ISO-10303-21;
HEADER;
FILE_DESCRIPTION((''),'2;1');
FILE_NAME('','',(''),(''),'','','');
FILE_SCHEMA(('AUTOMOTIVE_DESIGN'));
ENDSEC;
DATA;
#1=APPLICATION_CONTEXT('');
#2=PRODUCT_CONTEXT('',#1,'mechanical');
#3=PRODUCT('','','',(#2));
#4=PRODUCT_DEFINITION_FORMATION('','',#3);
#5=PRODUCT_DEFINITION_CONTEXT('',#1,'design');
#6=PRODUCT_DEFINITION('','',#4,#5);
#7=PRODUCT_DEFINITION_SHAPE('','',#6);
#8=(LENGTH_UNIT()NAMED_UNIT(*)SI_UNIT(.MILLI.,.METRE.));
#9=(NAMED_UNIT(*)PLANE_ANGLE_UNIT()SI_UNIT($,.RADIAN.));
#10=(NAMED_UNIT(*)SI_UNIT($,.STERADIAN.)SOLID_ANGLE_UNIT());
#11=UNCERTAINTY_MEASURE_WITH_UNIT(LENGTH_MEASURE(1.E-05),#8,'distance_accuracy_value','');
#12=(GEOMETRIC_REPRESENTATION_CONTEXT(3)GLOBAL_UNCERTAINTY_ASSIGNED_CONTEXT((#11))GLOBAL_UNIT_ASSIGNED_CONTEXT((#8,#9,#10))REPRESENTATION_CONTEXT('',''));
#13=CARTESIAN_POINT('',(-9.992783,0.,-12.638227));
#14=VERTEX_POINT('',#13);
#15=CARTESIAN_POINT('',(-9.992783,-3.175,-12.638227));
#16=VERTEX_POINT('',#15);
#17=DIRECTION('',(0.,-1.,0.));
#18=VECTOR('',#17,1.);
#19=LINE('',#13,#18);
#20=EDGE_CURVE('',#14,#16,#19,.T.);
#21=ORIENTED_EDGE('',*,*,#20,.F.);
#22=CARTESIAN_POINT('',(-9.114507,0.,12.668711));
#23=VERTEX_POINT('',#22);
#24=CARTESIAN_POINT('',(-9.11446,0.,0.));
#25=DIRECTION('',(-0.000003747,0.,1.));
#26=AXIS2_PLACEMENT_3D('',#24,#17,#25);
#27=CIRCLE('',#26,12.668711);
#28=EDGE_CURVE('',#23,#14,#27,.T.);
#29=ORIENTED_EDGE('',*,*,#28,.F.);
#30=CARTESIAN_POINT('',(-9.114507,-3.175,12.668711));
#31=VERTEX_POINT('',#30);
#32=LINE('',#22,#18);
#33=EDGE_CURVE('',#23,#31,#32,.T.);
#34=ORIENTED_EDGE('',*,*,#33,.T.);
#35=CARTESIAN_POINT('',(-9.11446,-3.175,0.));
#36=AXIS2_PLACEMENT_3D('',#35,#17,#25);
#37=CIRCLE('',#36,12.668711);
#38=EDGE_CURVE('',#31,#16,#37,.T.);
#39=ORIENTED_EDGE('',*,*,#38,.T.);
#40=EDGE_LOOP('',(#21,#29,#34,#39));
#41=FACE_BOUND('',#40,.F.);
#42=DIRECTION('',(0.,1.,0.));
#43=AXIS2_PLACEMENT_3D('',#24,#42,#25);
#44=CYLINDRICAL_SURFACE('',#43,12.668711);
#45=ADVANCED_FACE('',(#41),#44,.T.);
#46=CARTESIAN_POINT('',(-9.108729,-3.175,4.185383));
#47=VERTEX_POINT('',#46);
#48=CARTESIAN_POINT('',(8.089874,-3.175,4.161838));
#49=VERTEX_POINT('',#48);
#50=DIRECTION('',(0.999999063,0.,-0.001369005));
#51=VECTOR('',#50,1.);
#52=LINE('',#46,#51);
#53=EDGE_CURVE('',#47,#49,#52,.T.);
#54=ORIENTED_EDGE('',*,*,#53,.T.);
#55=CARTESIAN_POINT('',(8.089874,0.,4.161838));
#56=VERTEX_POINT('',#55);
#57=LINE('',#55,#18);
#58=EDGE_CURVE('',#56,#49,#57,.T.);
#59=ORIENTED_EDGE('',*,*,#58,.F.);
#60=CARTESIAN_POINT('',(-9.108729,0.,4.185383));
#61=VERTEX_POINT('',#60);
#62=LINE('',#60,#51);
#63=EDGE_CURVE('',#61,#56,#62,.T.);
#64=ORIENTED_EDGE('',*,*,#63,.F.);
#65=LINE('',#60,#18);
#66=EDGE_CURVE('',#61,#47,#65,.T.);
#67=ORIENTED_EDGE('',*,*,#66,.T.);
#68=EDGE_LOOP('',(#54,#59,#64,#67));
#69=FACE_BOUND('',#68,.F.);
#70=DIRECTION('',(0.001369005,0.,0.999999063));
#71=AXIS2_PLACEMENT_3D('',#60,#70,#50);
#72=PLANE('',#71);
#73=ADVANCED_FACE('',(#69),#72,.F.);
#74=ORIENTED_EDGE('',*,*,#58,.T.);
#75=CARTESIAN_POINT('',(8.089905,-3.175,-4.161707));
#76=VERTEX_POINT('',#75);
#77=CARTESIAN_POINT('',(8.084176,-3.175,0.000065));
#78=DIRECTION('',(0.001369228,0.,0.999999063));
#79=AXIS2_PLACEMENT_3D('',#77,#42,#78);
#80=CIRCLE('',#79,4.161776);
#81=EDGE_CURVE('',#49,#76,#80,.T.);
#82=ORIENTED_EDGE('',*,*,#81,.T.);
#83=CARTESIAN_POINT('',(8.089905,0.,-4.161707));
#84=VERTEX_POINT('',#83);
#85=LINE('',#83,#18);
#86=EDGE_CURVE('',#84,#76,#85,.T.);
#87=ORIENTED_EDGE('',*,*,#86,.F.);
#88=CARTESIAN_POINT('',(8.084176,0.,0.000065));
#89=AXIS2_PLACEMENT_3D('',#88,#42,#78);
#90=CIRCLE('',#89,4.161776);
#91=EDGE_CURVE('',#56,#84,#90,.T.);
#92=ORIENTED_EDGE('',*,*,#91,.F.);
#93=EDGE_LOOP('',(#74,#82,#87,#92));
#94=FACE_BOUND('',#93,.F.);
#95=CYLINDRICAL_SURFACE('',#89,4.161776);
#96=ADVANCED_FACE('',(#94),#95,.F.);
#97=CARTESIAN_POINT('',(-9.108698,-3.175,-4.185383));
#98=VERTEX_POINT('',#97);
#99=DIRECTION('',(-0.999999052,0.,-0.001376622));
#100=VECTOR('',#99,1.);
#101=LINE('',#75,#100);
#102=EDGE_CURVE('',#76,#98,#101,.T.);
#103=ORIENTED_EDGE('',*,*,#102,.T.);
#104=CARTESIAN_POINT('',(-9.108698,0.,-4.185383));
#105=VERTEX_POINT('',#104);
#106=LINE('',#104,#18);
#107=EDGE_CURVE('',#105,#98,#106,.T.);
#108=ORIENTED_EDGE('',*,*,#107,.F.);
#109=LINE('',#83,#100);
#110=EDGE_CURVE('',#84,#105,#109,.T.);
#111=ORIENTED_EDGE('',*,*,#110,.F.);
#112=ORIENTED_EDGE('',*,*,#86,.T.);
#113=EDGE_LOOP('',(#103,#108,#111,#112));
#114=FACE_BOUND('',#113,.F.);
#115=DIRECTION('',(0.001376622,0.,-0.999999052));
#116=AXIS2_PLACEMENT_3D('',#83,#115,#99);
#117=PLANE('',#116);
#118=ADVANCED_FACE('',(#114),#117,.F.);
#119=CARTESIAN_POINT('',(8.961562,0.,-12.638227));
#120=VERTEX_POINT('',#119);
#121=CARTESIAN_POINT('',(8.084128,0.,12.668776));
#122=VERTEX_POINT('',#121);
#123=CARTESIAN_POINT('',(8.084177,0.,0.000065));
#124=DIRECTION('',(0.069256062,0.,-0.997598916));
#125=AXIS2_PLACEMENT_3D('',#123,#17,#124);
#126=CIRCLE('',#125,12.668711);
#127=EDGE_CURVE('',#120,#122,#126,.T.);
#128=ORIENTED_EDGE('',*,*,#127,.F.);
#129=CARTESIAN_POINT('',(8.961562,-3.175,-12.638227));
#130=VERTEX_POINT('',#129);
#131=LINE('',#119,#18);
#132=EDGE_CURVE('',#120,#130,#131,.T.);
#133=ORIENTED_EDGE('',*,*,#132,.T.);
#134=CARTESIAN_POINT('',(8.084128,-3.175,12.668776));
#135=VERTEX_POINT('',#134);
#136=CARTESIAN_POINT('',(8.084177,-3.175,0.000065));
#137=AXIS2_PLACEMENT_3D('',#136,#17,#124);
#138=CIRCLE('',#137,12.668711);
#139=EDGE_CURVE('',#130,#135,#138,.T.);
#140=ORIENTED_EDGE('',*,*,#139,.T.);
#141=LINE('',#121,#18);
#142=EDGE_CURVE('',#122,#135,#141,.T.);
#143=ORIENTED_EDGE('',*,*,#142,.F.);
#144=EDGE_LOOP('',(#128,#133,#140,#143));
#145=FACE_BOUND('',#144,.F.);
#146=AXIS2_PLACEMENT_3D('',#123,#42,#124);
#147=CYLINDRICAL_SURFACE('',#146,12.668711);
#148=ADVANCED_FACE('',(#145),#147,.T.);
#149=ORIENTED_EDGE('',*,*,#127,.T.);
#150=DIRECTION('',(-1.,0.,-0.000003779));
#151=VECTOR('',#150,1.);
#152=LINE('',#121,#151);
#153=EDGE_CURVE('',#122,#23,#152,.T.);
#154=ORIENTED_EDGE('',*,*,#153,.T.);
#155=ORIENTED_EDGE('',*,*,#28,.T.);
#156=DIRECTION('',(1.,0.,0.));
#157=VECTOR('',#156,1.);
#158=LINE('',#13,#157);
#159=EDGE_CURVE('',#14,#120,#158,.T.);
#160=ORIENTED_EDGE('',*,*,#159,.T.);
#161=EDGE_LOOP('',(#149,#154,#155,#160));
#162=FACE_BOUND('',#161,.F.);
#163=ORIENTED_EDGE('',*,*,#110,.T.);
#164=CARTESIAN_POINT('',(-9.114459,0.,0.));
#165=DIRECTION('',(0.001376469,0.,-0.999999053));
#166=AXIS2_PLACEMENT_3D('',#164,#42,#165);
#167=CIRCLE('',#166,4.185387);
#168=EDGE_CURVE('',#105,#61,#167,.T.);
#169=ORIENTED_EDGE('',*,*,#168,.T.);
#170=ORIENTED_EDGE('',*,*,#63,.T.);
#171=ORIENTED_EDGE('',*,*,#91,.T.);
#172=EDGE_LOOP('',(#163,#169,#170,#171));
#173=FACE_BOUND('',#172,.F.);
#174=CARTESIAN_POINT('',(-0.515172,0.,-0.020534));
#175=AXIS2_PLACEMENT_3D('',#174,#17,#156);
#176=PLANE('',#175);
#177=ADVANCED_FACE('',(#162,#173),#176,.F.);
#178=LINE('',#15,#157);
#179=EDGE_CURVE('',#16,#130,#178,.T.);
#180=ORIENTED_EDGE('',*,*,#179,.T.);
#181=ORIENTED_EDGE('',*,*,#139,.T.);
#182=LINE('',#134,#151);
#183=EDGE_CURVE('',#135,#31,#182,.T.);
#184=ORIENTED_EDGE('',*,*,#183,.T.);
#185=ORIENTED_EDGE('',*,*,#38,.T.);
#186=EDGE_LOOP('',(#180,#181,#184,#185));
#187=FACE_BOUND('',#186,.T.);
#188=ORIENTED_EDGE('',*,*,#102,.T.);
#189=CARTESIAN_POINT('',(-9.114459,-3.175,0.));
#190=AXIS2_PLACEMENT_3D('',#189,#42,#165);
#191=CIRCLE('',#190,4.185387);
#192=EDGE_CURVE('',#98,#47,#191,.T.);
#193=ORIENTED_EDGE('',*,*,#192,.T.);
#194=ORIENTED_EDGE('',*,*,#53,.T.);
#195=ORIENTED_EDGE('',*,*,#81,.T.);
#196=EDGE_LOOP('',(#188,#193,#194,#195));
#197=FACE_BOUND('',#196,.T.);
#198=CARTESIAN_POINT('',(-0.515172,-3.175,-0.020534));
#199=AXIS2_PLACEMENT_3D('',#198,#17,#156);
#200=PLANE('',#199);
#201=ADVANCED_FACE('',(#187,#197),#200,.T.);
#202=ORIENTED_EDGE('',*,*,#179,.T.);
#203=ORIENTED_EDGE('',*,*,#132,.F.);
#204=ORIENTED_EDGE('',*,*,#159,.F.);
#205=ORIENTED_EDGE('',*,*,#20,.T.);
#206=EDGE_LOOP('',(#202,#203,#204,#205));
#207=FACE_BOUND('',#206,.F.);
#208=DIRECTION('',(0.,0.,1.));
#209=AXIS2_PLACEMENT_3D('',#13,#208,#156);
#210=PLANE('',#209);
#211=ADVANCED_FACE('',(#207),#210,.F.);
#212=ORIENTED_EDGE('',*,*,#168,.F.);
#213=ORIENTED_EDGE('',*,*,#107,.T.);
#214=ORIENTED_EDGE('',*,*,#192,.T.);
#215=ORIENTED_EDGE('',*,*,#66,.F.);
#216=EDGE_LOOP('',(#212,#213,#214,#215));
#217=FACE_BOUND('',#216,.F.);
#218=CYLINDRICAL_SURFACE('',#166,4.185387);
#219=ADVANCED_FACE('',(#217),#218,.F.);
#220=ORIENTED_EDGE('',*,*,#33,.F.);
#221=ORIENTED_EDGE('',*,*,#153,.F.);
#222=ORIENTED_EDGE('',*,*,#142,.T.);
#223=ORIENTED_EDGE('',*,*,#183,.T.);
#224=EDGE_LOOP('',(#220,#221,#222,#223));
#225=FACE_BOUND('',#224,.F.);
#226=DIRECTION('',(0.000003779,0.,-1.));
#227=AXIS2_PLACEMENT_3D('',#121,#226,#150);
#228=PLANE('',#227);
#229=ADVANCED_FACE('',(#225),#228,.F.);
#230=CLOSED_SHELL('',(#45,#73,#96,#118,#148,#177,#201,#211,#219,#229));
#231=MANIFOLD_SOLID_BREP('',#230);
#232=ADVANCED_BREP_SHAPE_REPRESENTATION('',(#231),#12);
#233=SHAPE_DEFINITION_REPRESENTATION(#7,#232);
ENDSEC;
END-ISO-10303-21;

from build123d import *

# Parameters (mm, degrees)
F1_DEPTH = 3.175


with BuildPart() as f1:
    # F0 (on Front) → F1 (new body)
    with BuildSketch(Plane.XZ):
        with BuildLine():
            Line((-9.992783, -12.638227), (8.961562, -12.638227))
            ThreePointArc((8.961562, -12.638227), (20.74528, 0.439046), (8.084128, 12.668776))
            Line((8.084128, 12.668776), (-9.114507, 12.668711))
            ThreePointArc((-9.114507, 12.668711), (-21.775548, 0.439403), (-9.992783, -12.638227))
        make_face()
        with BuildLine():
            ThreePointArc((-9.108698, -4.185383), (-13.299846, -1.6e-05), (-9.108729, 4.185383))
            Line((-9.108729, 4.185383), (8.089874, 4.161838))
            ThreePointArc((8.089874, 4.161838), (12.245952, 8.1e-05), (8.089905, -4.161707))
            Line((8.089905, -4.161707), (-9.108698, -4.185383))
        make_face(mode=Mode.SUBTRACT)
    extrude(amount=F1_DEPTH)


solid = f1.part
